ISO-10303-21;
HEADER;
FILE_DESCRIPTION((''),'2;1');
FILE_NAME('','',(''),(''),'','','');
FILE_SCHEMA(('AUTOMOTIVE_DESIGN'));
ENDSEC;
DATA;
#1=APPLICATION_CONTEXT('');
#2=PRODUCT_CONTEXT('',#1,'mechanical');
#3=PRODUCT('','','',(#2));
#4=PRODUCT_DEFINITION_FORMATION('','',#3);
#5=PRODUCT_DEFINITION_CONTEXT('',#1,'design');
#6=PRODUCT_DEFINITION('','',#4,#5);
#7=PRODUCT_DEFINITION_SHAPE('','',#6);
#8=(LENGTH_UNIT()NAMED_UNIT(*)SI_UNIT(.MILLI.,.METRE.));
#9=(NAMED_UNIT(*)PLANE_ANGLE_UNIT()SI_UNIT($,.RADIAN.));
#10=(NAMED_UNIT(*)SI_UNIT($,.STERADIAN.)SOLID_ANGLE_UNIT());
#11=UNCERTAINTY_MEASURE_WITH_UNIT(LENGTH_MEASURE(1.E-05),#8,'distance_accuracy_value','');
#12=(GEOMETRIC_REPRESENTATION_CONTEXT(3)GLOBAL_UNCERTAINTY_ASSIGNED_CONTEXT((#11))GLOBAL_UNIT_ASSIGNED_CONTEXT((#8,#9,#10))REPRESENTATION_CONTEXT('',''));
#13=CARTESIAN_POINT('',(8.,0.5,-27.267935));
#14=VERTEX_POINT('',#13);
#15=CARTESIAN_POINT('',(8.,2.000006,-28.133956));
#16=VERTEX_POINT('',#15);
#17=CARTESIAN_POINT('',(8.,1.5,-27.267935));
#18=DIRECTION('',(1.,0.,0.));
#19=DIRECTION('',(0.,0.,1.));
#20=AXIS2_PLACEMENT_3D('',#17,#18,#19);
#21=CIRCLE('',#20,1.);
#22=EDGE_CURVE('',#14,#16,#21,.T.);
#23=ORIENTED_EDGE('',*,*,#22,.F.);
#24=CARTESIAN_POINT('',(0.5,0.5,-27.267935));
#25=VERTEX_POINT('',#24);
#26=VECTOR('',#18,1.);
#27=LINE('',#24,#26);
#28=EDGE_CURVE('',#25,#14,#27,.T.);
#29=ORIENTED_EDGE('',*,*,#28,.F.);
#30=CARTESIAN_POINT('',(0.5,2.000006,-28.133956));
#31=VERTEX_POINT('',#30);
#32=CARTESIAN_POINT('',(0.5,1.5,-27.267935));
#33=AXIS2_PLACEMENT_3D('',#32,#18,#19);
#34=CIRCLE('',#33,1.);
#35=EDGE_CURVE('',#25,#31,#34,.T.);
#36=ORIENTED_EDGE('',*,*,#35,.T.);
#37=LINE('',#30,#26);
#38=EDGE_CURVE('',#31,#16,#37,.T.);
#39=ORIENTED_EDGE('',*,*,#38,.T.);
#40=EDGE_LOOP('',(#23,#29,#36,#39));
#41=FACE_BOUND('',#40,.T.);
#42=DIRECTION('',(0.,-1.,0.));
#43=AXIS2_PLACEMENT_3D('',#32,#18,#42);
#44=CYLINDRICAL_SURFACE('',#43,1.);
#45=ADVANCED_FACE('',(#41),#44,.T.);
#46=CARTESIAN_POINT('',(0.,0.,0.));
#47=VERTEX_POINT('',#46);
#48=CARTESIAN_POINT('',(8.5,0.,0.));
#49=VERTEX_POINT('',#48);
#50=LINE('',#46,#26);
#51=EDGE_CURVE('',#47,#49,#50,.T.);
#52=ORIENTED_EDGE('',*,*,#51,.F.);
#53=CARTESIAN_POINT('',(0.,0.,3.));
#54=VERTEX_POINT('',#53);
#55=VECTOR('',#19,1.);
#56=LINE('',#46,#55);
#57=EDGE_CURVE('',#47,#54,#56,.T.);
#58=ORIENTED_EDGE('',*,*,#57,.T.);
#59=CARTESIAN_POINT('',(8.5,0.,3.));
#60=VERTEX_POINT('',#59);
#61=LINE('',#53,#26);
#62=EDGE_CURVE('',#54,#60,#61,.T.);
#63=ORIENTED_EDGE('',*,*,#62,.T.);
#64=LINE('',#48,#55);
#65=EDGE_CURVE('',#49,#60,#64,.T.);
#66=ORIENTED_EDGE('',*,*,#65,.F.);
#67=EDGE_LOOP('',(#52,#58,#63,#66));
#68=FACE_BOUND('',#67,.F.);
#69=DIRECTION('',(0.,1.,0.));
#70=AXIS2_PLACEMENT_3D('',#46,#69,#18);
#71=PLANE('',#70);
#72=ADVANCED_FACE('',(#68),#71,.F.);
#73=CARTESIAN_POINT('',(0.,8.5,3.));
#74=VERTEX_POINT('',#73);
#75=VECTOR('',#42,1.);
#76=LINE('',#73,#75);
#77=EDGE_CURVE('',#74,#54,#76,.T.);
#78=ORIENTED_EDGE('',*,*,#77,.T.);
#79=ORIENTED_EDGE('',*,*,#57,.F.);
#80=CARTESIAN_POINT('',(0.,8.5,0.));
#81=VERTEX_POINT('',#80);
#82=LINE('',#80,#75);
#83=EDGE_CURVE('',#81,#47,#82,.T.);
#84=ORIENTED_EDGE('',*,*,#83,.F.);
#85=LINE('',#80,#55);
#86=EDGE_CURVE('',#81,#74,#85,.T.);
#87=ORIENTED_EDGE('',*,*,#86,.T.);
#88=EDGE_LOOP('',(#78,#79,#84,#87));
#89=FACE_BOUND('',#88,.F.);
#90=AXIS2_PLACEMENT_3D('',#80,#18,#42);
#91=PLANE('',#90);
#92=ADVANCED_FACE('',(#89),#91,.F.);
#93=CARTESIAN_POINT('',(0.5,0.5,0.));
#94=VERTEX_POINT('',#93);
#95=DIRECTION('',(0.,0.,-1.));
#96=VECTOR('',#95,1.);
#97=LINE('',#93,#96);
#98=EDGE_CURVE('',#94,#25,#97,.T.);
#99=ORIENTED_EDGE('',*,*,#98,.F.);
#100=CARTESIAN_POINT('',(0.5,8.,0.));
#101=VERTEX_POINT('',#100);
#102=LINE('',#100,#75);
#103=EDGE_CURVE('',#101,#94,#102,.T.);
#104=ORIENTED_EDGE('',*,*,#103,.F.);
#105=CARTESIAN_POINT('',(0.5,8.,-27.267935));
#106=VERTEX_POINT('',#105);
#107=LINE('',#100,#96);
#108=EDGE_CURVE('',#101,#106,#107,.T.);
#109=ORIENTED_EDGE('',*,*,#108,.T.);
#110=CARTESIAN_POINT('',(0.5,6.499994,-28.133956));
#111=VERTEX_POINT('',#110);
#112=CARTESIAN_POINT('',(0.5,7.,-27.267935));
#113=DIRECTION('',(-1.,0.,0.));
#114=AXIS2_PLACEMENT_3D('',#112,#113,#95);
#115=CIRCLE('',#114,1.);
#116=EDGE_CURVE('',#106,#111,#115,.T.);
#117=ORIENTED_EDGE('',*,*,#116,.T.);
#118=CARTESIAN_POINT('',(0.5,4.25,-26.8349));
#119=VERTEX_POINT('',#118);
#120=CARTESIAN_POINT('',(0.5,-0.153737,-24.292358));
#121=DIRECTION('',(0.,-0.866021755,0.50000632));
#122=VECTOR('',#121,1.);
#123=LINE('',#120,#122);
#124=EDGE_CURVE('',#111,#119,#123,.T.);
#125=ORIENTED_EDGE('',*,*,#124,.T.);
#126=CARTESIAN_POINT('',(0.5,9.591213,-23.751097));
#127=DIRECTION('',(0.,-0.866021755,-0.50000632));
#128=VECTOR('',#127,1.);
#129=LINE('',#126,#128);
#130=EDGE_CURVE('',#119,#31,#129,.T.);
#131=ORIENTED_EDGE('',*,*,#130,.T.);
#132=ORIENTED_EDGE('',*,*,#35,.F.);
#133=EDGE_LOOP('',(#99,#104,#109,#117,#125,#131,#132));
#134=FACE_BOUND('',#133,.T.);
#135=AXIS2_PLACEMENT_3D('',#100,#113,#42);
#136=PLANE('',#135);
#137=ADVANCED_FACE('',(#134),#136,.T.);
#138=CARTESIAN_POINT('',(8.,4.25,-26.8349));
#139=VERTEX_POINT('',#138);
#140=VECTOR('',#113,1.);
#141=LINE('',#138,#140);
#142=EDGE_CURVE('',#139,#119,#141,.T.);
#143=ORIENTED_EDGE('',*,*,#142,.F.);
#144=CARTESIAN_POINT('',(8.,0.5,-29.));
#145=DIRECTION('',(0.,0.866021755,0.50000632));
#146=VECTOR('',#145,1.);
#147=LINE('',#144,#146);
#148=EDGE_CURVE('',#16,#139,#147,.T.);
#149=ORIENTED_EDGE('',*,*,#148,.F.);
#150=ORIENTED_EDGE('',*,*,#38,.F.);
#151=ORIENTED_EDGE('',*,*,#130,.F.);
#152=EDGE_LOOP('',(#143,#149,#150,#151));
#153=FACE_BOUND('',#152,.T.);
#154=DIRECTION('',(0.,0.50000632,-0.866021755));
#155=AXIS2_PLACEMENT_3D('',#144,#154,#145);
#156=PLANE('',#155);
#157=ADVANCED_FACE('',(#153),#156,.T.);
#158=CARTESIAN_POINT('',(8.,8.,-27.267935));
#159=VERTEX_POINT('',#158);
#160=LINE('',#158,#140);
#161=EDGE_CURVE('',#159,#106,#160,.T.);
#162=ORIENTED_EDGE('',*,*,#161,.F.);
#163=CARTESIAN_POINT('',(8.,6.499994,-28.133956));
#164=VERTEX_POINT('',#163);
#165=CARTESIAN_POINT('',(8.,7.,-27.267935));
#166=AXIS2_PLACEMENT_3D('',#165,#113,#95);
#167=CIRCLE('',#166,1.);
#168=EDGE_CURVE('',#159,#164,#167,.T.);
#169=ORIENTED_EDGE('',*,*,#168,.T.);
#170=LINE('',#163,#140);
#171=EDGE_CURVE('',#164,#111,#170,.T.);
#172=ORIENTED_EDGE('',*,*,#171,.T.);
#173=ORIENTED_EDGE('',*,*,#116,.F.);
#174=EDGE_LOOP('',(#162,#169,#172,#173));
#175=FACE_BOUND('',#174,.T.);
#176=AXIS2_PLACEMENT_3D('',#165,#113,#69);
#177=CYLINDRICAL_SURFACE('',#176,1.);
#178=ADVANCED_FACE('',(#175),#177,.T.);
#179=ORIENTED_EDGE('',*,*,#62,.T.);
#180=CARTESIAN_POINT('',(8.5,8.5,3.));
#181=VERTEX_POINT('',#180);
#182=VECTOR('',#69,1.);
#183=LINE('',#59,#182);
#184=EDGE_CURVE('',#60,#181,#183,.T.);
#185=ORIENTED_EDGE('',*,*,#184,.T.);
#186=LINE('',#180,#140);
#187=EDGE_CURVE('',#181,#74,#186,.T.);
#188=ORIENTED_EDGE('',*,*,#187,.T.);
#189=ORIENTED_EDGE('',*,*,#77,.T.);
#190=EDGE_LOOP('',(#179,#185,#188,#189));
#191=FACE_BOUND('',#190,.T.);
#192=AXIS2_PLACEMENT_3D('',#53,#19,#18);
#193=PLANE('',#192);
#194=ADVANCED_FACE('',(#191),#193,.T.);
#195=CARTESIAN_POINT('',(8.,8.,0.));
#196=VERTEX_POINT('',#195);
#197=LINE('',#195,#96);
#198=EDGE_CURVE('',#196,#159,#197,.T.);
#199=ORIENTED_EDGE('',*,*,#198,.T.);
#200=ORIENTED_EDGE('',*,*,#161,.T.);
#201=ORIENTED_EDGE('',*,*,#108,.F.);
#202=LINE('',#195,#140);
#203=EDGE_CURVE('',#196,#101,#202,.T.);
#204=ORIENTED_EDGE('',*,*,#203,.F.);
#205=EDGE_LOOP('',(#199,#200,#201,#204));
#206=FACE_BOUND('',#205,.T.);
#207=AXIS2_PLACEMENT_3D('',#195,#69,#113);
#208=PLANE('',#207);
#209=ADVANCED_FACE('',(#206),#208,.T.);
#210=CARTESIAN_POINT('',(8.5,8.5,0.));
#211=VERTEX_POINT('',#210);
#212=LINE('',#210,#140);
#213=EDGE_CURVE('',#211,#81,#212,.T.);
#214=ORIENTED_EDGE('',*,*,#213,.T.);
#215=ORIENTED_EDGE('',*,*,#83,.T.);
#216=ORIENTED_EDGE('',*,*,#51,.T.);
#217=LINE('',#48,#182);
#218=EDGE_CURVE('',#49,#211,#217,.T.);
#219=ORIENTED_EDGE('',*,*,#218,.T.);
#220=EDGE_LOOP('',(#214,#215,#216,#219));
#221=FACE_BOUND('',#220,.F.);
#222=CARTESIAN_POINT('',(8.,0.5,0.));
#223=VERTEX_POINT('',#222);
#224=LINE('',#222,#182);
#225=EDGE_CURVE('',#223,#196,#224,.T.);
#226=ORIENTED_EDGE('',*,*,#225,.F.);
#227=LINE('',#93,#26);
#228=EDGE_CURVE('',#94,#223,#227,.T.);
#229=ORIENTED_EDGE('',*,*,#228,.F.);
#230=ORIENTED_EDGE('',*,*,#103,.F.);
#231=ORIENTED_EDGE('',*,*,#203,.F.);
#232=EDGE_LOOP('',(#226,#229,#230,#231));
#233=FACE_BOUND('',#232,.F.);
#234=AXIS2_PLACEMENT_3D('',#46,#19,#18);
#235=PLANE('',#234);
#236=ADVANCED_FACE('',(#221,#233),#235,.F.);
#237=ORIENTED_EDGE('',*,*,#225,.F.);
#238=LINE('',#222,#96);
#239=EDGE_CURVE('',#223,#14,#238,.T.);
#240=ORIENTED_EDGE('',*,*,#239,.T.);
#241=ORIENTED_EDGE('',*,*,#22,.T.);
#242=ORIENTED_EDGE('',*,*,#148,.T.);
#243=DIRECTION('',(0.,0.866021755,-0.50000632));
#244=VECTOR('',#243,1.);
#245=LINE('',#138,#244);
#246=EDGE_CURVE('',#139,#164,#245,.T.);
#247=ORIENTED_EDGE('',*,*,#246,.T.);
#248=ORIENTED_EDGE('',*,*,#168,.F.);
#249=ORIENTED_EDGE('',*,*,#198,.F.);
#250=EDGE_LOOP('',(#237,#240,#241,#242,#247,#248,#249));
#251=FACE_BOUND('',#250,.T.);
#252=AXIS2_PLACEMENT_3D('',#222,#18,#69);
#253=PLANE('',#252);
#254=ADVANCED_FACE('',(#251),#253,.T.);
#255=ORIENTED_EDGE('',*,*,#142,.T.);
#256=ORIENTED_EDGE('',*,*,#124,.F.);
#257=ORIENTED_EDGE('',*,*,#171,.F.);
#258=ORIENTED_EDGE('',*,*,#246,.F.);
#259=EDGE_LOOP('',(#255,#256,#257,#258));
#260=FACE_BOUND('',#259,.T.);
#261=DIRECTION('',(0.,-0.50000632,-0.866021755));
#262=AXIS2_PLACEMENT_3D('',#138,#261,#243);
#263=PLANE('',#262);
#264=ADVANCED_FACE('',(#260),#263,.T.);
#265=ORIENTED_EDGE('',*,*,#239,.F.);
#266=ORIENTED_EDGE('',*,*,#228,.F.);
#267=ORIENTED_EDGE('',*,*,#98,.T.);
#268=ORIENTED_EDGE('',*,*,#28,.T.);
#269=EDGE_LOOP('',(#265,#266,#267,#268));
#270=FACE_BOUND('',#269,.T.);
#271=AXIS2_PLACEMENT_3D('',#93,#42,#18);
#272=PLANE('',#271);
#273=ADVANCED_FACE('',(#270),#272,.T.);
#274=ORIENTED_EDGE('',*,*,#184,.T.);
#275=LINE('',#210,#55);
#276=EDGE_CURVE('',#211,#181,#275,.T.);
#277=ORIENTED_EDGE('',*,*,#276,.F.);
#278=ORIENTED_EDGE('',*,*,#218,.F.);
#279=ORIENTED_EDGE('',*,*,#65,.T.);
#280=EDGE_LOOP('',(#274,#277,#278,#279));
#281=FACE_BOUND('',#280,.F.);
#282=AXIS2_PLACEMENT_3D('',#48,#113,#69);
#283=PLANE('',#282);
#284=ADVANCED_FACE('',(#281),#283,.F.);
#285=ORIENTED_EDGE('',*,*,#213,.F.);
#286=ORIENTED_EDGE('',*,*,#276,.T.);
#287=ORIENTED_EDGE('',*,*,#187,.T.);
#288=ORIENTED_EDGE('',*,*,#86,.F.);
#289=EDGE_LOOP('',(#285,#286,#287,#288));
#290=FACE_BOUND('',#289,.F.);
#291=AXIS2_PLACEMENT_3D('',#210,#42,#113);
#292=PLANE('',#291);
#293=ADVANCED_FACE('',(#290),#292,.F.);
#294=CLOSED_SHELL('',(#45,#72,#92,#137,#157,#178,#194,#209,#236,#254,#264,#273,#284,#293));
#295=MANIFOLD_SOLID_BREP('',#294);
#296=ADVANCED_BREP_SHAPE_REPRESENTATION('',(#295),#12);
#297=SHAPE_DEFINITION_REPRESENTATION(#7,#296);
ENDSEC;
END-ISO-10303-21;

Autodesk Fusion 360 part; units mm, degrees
sketch "Sketch1" plane through (0, 0, 0) normal (0, 0, 1) x (1, 0, 0)
  line L0 (0, 0) -> (8.5, 0)
  line L1 (8.5, 0) -> (8.5, 8.5)
  line L2 (8.5, 8.5) -> (0, 8.5)
  line L3 (0, 8.5) -> (0, 0)
  dimension "d1" = 8.5
extrude "Extrude1" add sketch "Sketch1" along normal blind 3
sketch "Sketch2" plane through (0, 0, 0) normal (0, 0, -1) x (1, 0, 0)
  line L0 (0, 0) -> (0, -8.5)
  line L1 (0, -8.5) -> (8.5, -8.5)
  line L2 (8.5, -8.5) -> (8.5, 0)
  line L3 (8.5, 0) -> (0, 0)
  line L4 (0.5, -0.5) -> (8, -0.5)
  line L5 (8, -0.5) -> (8, -8)
  line L6 (8, -8) -> (0.5, -8)
  line L7 (0.5, -8) -> (0.5, -0.5)
  line L8 (0.5, -0.5) -> (8, -8) construction
  line L9 (8.5, 0) -> (0, -8.5) construction
  dimension "d4" = 7.5
extrude "Extrude2" add sketch "Sketch2" along normal blind 29 contours L4 L5 L6 L7
sketch "Sketch3" plane through (8, 0, 0) normal (1, 0, 0) x (0, 1, 0)
  line L0 (8, 0) -> (0.5, 0)
  line L1 (0.5, 0) -> (0.5, -29)
  line L2 (0.5, -29) -> (8, -29)
  line L3 (8, -29) -> (8, 0)
  line L4 (0.5, -29) -> (4.25, -26.8349)
  line L5 (4.25, -26.8349) -> (8, -29)
  line L6 (8, -29) -> (0.5, -29)
  dimension "d7" = 120
extrude "Extrude3" cut sketch "Sketch3" against normal through all contours L2 L4 L5 L6
fillet "Fillet1" radius 1 2 edges at (4.25, 0.5, -29) (4.25, 8, -29)
